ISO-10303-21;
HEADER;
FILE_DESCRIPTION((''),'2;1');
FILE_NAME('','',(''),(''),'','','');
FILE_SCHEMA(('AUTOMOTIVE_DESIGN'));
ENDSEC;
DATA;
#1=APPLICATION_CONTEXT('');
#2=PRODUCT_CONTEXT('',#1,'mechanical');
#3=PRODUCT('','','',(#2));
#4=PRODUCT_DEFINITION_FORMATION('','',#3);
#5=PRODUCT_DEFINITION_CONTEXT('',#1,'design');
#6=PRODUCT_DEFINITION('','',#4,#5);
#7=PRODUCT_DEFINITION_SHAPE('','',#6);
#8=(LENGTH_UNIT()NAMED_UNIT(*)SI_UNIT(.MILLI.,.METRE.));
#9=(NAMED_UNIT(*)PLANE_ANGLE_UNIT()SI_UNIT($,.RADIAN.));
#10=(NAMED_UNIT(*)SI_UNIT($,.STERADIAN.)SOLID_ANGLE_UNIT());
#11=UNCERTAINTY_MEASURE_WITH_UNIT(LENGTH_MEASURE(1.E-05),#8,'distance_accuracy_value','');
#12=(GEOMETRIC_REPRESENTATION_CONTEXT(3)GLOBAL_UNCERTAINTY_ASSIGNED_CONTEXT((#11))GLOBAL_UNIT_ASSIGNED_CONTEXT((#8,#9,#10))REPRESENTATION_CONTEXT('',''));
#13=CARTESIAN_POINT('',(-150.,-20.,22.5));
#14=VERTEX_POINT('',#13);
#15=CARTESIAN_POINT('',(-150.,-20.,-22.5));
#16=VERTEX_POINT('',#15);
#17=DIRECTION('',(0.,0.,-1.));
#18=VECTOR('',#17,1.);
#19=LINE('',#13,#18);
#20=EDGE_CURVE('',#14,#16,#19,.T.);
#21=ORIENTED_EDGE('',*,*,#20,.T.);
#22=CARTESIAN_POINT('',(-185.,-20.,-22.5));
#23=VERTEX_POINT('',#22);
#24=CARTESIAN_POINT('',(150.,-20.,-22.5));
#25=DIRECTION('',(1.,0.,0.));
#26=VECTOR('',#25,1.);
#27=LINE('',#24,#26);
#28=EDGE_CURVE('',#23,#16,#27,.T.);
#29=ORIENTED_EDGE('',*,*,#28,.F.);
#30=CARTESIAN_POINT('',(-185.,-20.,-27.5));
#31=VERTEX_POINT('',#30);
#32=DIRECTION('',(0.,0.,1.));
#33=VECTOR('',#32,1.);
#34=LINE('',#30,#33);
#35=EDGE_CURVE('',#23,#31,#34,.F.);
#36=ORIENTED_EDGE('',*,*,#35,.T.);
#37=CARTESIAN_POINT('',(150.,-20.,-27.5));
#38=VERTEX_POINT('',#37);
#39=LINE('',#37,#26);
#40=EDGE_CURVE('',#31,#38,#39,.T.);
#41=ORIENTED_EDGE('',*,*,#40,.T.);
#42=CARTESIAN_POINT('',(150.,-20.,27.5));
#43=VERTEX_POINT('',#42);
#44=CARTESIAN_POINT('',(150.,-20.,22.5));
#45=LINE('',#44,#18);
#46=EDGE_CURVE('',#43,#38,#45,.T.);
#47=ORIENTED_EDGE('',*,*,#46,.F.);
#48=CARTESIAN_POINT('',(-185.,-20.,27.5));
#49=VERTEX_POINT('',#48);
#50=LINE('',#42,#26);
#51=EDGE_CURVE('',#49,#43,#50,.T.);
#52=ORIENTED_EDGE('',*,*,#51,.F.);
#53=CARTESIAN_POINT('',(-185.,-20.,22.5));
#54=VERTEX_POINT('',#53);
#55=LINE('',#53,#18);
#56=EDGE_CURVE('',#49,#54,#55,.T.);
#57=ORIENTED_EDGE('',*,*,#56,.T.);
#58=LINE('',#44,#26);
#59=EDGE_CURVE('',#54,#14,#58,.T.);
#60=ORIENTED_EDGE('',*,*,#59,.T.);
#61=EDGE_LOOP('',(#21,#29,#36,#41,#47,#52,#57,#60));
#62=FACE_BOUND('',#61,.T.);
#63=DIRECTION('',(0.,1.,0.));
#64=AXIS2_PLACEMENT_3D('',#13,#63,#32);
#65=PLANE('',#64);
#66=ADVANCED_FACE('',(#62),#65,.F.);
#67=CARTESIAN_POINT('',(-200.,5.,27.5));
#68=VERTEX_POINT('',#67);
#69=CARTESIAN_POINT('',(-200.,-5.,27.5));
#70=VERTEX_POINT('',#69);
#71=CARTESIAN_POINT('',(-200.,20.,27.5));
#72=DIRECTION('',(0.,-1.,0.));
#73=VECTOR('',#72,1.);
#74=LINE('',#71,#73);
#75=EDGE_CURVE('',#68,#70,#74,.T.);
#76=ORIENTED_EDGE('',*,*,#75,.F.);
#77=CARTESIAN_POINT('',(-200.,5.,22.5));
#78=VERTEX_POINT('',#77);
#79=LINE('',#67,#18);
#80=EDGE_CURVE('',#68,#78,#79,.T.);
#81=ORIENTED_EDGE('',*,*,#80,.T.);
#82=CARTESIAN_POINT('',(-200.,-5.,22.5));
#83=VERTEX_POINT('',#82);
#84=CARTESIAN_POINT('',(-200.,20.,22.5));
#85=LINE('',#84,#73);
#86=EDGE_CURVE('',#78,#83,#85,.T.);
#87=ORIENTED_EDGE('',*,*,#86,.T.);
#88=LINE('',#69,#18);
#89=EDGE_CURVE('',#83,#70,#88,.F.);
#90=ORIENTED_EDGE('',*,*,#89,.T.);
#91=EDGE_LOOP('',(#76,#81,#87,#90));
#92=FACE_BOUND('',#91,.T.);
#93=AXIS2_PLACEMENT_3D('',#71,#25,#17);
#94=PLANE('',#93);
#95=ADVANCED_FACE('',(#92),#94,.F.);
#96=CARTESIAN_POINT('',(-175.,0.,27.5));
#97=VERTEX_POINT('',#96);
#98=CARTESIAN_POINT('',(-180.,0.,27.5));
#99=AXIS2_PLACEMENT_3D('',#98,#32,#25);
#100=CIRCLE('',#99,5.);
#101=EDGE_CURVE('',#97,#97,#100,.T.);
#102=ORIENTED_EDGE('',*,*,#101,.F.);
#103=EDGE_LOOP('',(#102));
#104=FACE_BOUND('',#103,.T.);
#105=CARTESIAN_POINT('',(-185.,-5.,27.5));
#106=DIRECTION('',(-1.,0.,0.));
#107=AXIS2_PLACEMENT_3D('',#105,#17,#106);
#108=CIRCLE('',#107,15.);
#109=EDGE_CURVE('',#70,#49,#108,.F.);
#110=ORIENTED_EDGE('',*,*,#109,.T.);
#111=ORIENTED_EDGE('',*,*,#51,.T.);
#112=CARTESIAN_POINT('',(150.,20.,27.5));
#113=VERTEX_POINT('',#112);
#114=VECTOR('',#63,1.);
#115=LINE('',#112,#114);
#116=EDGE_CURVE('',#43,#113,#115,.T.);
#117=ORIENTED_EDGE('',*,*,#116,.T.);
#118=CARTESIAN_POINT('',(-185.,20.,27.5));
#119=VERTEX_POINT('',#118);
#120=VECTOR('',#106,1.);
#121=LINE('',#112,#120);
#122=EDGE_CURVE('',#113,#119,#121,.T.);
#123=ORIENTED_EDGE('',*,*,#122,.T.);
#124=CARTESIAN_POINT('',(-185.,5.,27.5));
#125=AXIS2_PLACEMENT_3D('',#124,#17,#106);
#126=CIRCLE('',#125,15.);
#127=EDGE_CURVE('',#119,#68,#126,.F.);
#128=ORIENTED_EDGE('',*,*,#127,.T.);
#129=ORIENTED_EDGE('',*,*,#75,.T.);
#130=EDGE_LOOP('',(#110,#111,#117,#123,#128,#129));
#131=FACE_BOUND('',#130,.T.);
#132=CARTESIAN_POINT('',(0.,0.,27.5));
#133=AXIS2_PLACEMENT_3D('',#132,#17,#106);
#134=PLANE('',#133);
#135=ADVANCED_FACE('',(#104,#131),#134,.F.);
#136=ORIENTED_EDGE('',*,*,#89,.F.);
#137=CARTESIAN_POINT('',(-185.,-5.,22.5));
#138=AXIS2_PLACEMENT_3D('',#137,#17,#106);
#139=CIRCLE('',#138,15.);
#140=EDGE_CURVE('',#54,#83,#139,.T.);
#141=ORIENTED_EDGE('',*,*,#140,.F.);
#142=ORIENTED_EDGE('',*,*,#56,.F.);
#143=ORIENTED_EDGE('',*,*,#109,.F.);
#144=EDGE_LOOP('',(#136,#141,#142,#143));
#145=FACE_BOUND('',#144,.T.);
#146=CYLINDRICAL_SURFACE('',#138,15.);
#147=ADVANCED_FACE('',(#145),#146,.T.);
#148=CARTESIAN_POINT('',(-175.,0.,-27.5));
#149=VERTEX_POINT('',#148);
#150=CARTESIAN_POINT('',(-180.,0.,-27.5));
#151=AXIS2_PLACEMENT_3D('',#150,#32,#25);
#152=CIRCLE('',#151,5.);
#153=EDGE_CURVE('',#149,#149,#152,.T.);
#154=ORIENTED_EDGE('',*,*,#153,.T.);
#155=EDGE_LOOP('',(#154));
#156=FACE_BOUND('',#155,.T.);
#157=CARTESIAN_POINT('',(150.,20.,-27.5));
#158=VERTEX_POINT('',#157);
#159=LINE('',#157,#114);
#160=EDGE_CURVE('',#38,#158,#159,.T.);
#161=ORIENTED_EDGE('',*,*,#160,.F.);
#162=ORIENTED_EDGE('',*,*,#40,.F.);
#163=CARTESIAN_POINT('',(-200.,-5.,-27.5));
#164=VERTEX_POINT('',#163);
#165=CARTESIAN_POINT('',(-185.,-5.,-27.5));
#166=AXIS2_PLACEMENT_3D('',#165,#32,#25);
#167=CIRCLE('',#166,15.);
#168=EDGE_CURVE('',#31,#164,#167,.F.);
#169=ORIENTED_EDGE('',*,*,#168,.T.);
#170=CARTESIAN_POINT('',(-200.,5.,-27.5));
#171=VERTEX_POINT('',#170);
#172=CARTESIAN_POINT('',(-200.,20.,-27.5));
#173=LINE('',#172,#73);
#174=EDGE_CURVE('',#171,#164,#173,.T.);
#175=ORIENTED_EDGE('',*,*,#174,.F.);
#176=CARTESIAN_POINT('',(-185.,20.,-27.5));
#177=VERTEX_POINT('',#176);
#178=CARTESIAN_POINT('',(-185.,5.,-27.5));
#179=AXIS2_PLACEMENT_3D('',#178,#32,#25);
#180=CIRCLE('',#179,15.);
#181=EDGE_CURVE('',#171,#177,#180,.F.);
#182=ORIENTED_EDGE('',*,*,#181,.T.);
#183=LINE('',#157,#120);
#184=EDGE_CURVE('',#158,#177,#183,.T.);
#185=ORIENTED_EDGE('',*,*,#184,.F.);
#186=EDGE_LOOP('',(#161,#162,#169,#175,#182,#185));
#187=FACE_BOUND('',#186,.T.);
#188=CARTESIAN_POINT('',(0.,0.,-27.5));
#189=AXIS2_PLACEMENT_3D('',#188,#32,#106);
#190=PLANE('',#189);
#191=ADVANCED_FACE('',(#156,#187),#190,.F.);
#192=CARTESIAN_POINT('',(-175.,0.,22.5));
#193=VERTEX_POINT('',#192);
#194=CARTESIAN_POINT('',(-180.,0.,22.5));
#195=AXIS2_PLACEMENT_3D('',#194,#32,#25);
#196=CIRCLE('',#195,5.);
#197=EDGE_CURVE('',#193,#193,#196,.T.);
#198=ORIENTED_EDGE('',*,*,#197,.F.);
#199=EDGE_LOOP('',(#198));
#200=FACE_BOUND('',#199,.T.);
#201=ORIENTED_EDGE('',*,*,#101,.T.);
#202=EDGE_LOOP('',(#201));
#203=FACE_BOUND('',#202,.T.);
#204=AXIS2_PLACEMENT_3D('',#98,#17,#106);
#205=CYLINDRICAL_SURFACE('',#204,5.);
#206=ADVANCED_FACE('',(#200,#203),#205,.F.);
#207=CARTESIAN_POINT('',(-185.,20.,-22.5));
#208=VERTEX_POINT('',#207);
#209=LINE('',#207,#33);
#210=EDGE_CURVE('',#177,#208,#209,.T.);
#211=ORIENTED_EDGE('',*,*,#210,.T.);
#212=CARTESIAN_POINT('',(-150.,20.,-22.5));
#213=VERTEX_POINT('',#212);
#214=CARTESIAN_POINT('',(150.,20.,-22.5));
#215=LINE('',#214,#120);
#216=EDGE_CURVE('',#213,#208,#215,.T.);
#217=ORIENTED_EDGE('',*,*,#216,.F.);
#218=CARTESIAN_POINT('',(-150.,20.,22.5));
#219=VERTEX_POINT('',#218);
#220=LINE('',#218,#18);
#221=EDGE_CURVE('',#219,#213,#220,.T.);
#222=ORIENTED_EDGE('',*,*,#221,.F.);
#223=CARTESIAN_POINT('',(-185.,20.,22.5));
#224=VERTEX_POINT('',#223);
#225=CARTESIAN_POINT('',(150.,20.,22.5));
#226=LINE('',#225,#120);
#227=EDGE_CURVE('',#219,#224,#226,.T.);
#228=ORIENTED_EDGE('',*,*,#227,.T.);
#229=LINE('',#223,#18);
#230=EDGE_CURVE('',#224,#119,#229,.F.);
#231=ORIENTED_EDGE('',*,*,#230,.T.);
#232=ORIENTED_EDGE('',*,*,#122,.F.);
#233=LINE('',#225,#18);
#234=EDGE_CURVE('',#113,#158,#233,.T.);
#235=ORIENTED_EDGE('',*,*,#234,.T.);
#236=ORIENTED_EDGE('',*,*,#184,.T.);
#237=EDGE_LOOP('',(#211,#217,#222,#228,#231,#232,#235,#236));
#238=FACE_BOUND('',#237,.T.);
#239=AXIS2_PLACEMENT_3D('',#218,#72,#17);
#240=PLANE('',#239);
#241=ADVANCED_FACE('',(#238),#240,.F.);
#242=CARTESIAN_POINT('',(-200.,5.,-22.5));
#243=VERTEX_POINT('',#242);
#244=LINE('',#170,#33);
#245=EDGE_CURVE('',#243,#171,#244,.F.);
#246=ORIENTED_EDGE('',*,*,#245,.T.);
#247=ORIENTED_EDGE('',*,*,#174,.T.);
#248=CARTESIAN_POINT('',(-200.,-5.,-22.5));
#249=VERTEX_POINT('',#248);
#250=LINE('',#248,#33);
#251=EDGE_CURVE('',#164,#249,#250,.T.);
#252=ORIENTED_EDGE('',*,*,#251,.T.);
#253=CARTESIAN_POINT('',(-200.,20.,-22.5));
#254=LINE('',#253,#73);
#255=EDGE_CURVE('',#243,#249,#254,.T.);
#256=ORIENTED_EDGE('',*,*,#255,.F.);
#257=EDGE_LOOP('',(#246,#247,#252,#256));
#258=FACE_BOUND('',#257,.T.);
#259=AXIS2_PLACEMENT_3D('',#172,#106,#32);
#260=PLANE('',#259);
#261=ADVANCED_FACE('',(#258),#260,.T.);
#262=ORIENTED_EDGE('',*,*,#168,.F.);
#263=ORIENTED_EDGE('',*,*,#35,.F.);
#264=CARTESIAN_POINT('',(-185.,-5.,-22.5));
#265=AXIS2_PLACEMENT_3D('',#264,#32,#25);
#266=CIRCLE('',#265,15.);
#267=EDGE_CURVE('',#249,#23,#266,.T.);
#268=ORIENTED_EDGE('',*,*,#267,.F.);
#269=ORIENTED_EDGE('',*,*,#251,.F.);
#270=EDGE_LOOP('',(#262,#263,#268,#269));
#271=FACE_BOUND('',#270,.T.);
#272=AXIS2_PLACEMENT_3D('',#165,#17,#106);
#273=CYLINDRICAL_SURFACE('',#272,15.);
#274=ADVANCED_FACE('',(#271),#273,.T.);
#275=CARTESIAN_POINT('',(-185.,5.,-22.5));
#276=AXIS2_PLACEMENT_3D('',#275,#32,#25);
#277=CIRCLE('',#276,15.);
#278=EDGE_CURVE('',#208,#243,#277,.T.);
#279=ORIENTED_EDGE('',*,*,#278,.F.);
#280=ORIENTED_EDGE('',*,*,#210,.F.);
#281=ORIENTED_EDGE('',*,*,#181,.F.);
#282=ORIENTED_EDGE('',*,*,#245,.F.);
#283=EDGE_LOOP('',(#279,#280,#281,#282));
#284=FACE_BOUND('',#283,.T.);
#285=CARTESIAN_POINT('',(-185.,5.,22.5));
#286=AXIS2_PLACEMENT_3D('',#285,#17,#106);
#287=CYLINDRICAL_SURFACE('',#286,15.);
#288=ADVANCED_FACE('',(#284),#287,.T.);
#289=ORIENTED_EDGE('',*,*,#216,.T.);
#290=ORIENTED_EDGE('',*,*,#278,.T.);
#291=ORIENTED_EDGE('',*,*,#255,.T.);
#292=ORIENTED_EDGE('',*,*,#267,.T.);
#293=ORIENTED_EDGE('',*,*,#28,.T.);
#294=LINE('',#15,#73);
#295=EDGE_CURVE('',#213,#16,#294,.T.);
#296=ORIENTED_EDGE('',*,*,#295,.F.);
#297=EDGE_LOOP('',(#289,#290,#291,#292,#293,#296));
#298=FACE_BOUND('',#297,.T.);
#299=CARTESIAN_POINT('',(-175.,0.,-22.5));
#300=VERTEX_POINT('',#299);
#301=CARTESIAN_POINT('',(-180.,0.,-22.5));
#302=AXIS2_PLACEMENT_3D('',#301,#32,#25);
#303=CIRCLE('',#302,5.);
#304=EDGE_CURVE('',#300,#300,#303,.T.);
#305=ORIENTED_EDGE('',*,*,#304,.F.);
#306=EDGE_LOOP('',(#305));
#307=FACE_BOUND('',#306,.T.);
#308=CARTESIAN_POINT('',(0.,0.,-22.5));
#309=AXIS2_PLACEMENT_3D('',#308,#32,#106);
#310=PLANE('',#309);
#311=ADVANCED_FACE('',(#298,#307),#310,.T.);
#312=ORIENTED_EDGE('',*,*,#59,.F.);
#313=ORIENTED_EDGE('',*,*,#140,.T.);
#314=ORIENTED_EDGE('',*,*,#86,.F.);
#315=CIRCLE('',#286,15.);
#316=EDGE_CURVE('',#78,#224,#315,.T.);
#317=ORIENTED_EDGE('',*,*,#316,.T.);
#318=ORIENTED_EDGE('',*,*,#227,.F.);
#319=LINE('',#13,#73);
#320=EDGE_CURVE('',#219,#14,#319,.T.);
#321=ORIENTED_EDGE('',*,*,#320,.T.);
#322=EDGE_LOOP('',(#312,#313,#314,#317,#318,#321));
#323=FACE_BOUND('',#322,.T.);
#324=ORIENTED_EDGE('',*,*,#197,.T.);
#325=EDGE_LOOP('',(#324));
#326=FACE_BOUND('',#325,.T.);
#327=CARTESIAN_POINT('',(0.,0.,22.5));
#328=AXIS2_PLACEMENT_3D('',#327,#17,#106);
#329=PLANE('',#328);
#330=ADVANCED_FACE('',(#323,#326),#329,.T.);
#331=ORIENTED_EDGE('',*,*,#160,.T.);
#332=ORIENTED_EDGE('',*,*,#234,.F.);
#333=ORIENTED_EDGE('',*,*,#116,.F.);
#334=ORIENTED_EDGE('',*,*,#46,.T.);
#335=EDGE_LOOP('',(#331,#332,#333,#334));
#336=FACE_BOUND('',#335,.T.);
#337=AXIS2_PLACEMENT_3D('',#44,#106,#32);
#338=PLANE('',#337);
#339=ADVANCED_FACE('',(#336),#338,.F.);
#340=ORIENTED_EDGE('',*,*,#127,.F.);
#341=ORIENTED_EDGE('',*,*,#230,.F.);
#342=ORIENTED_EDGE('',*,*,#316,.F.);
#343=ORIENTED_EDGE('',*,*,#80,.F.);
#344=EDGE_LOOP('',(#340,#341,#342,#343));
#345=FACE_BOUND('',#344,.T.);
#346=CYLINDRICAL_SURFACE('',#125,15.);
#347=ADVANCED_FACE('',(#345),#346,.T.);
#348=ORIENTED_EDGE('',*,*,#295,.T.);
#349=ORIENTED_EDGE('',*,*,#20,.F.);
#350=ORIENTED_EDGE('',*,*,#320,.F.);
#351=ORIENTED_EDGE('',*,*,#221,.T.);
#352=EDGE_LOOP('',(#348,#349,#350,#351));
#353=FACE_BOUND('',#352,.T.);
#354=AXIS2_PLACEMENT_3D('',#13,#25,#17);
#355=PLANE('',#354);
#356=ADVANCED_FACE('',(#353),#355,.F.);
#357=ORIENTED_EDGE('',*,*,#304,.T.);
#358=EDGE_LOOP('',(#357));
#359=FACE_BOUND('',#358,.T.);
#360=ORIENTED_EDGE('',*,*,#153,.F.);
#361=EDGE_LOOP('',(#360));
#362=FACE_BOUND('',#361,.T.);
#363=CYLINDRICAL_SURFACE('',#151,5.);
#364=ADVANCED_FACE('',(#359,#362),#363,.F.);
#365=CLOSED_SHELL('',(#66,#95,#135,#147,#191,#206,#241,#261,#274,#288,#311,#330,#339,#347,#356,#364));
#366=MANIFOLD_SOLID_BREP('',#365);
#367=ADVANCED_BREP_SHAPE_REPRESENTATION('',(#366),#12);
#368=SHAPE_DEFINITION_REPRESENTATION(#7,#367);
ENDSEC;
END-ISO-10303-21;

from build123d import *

# Parameters (mm, degrees)
SKETCH1_W            = 300
SKETCH1_H            = 40
BOSS_EXTRUDE1_DEPTH  = 22.5
SKETCH2_W            = 350
SKETCH2_H            = 40
SKETCH2_R            = 5
BOSS_EXTRUDE2_DEPTH  = 5
FILLET1_R            = 15
FILLET1_OF_MIRROR1_R = 15


with BuildPart() as part:
    # Sketch1 → Boss-Extrude1 (new, symmetric)
    with BuildSketch(Plane.XY):
        Rectangle(SKETCH1_W, SKETCH1_H)
    extrude(amount=BOSS_EXTRUDE1_DEPTH, both=True)

    # Sketch2 → Boss-Extrude2 (add)
    with BuildSketch(Plane.XY.offset(22.5)):
        with Locations((-25, 0)):
            Rectangle(SKETCH2_W, SKETCH2_H)
        with Locations((-180, 0)):
            Circle(SKETCH2_R, mode=Mode.SUBTRACT)
    boss_extrude2 = extrude(amount=BOSS_EXTRUDE2_DEPTH)

    # Fillet1
    fillet1_edges = [part.edges().sort_by_distance(p)[0] for p in [
        (-200, -20, 25),
        (-200, 20, 25),
    ]]
    fillet(fillet1_edges, radius=FILLET1_R)

    # Mirror1: Boss-Extrude2 across plane
    add(boss_extrude2.mirror(Plane.XY))

    # Fillet1 of Mirror1
    fillet1_of_mirror1_edges = [part.edges().sort_by_distance(p)[0] for p in [
        (-200, -20, -25),
        (-200, 20, -25),
    ]]
    fillet(fillet1_of_mirror1_edges, radius=FILLET1_OF_MIRROR1_R)


solid = part.part
